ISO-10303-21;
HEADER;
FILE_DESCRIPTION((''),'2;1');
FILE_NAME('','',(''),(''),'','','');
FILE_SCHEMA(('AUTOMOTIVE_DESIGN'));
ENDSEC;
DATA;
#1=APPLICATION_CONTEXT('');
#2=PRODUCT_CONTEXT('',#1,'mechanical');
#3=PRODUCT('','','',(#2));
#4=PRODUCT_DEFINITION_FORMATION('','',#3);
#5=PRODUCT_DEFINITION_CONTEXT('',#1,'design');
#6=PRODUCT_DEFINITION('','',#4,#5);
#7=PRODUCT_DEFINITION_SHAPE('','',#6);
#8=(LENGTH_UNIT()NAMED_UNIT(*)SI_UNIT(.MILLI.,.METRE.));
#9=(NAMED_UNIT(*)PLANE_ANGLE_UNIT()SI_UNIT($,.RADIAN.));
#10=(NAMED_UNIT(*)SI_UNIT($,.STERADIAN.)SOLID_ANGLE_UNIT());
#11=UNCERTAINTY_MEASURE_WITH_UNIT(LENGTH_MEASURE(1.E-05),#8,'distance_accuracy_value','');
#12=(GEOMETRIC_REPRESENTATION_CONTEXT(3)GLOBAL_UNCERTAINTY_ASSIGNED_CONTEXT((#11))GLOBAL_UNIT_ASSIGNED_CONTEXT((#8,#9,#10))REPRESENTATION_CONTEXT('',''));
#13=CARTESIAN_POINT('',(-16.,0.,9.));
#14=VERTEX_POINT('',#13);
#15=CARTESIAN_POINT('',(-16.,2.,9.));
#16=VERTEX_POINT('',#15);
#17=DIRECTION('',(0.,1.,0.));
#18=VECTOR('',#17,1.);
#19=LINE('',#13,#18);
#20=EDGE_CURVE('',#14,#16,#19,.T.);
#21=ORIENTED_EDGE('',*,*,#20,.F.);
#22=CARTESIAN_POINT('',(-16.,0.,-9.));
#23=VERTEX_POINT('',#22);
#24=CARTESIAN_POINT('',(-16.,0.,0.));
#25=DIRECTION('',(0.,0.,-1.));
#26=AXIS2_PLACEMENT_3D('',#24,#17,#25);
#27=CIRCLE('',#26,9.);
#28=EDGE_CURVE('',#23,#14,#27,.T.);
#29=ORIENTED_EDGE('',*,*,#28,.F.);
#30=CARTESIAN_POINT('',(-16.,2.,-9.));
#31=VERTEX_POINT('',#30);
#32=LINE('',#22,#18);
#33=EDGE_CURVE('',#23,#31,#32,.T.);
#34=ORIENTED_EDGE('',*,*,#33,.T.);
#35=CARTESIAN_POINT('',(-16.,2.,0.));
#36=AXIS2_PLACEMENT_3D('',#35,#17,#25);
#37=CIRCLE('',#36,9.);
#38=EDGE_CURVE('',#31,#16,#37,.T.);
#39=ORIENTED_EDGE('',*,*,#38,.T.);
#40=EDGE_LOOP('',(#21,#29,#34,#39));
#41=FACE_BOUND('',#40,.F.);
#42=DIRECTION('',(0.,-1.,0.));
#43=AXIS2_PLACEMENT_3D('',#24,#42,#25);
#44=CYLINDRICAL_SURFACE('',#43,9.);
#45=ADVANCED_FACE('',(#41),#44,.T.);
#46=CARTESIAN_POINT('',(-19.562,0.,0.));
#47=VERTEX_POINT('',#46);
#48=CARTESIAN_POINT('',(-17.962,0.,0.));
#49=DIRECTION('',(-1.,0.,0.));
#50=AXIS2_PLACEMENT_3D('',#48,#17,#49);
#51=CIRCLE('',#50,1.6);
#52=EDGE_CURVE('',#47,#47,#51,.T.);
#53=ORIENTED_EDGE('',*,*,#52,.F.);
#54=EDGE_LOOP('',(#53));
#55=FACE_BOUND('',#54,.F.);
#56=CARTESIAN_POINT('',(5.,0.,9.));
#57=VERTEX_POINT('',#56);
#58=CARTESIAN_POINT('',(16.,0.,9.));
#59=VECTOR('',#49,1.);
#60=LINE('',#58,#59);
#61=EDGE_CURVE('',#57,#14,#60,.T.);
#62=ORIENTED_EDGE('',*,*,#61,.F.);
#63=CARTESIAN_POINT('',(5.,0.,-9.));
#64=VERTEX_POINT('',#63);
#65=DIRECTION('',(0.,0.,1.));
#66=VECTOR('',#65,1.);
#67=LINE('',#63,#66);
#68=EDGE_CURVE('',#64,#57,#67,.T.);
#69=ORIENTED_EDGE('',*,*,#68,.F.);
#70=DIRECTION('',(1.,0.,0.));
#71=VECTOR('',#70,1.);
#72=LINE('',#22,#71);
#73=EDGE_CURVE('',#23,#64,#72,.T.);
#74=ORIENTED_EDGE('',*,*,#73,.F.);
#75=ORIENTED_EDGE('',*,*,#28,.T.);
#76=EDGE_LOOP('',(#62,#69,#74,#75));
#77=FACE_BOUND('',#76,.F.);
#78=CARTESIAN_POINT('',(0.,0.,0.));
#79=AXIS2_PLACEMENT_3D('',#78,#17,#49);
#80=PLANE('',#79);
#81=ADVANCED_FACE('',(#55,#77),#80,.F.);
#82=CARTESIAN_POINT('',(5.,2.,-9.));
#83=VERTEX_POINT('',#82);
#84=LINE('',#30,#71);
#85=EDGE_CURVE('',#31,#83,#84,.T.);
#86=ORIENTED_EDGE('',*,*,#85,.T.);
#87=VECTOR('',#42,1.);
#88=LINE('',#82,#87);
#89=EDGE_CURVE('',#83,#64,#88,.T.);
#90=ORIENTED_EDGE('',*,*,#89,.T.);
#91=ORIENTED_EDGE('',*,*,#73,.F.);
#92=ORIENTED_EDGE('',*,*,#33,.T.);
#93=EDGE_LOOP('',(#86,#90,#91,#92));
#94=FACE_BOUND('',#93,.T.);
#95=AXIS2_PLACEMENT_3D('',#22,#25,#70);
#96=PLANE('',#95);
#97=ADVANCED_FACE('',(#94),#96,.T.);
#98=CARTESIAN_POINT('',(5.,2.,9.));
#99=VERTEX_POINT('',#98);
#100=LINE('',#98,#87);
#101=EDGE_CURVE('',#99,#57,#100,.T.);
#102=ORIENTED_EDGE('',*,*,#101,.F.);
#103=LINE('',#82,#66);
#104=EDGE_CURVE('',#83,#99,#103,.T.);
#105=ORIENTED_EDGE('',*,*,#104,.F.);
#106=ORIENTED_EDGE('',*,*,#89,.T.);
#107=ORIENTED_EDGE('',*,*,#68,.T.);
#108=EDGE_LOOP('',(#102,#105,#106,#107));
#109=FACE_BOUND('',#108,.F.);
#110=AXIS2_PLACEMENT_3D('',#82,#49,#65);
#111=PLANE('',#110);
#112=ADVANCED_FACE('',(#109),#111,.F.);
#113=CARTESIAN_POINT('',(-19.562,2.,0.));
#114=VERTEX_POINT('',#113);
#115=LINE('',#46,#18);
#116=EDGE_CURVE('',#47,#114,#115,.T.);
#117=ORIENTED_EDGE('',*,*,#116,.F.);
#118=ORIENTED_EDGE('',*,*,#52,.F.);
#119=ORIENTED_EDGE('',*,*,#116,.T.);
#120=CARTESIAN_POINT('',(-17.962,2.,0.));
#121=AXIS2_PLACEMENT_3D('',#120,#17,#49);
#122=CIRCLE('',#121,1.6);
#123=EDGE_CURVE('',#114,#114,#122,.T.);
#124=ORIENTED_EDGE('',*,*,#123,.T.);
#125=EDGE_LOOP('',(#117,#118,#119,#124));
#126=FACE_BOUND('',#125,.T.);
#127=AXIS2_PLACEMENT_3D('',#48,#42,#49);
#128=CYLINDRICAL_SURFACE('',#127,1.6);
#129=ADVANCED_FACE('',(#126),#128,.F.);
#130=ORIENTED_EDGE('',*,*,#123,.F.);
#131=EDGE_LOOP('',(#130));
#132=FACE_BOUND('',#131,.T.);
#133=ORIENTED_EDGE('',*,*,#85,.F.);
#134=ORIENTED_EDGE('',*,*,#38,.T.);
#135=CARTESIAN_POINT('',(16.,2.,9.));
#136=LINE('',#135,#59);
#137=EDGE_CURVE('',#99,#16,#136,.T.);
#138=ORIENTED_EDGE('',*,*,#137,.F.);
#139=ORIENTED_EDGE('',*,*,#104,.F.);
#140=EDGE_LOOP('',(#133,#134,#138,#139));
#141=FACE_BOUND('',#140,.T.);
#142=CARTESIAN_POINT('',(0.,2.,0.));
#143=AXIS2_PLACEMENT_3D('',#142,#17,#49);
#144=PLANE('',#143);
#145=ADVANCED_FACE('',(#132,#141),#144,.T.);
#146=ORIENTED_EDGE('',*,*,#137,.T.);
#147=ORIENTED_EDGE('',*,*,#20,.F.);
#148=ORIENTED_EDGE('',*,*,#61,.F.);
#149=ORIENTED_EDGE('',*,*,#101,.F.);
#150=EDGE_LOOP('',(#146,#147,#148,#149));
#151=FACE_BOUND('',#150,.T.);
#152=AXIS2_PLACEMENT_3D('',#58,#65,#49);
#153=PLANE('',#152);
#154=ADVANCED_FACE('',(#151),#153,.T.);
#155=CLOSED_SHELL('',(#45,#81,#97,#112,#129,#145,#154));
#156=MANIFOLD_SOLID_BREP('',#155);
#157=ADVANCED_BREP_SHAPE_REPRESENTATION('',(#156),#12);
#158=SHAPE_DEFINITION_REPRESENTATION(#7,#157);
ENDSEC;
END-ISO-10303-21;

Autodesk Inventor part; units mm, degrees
ref_plane "YZ Plane" through (0, 0, 0) normal (1, 0, 0) x (0, 1, 0)
ref_plane "XZ Plane" through (0, 0, 0) normal (0, 1, 0) x (-1, 0, 0)
ref_plane "XY Plane" through (0, 0, 0) normal (0, 0, 1) x (1, 0, 0)
sketch "Esboço1" plane through (0, 0, 0) normal (0, 1, 0) x (-1, 0, 0)
  line L0 (-16, 9) -> (16, 9)
  line L1 (16, 9) -> (16, -9)
  line L2 (16, -9) -> (-16, -9)
  line L3 (-16, -9) -> (-16, 9)
  line L4 (-16, 9) -> (16, -9) construction
  line L5 (8.3086, 4.6736) -> (-16, -9) construction
  arc A0 (16, -9) -> (16, 9) centre (16, 0) ccw
  circle A1 centre (17.962, 0) radius 1.6
  dimension "d2" = 32
  dimension "d3" = 18
  dimension "d5" = 3.2
  dimension "d6" = 1.962
extrude "Extrusão1" add sketch "Esboço1" along normal blind 2
sketch "Esboço2" plane through (0, 2, 0) normal (0, 1, 0) x (1, 0, 0)
  line L0 (16, 9) -> (-16, 9) projected
  line L1 (16, 9) -> (5, 9)
  line L2 (5, 9) -> (5, -9)
  line L3 (5, -9) -> (16, -9)
  line L4 (16, -9) -> (16, 9)
  point P0 (0, 0)
  dimension "d9" = 11
  dimension "d10" = 18
extrude "Extrusão2" cut sketch "Esboço2" against normal blind 2
properties part number "tampa hc 12"
